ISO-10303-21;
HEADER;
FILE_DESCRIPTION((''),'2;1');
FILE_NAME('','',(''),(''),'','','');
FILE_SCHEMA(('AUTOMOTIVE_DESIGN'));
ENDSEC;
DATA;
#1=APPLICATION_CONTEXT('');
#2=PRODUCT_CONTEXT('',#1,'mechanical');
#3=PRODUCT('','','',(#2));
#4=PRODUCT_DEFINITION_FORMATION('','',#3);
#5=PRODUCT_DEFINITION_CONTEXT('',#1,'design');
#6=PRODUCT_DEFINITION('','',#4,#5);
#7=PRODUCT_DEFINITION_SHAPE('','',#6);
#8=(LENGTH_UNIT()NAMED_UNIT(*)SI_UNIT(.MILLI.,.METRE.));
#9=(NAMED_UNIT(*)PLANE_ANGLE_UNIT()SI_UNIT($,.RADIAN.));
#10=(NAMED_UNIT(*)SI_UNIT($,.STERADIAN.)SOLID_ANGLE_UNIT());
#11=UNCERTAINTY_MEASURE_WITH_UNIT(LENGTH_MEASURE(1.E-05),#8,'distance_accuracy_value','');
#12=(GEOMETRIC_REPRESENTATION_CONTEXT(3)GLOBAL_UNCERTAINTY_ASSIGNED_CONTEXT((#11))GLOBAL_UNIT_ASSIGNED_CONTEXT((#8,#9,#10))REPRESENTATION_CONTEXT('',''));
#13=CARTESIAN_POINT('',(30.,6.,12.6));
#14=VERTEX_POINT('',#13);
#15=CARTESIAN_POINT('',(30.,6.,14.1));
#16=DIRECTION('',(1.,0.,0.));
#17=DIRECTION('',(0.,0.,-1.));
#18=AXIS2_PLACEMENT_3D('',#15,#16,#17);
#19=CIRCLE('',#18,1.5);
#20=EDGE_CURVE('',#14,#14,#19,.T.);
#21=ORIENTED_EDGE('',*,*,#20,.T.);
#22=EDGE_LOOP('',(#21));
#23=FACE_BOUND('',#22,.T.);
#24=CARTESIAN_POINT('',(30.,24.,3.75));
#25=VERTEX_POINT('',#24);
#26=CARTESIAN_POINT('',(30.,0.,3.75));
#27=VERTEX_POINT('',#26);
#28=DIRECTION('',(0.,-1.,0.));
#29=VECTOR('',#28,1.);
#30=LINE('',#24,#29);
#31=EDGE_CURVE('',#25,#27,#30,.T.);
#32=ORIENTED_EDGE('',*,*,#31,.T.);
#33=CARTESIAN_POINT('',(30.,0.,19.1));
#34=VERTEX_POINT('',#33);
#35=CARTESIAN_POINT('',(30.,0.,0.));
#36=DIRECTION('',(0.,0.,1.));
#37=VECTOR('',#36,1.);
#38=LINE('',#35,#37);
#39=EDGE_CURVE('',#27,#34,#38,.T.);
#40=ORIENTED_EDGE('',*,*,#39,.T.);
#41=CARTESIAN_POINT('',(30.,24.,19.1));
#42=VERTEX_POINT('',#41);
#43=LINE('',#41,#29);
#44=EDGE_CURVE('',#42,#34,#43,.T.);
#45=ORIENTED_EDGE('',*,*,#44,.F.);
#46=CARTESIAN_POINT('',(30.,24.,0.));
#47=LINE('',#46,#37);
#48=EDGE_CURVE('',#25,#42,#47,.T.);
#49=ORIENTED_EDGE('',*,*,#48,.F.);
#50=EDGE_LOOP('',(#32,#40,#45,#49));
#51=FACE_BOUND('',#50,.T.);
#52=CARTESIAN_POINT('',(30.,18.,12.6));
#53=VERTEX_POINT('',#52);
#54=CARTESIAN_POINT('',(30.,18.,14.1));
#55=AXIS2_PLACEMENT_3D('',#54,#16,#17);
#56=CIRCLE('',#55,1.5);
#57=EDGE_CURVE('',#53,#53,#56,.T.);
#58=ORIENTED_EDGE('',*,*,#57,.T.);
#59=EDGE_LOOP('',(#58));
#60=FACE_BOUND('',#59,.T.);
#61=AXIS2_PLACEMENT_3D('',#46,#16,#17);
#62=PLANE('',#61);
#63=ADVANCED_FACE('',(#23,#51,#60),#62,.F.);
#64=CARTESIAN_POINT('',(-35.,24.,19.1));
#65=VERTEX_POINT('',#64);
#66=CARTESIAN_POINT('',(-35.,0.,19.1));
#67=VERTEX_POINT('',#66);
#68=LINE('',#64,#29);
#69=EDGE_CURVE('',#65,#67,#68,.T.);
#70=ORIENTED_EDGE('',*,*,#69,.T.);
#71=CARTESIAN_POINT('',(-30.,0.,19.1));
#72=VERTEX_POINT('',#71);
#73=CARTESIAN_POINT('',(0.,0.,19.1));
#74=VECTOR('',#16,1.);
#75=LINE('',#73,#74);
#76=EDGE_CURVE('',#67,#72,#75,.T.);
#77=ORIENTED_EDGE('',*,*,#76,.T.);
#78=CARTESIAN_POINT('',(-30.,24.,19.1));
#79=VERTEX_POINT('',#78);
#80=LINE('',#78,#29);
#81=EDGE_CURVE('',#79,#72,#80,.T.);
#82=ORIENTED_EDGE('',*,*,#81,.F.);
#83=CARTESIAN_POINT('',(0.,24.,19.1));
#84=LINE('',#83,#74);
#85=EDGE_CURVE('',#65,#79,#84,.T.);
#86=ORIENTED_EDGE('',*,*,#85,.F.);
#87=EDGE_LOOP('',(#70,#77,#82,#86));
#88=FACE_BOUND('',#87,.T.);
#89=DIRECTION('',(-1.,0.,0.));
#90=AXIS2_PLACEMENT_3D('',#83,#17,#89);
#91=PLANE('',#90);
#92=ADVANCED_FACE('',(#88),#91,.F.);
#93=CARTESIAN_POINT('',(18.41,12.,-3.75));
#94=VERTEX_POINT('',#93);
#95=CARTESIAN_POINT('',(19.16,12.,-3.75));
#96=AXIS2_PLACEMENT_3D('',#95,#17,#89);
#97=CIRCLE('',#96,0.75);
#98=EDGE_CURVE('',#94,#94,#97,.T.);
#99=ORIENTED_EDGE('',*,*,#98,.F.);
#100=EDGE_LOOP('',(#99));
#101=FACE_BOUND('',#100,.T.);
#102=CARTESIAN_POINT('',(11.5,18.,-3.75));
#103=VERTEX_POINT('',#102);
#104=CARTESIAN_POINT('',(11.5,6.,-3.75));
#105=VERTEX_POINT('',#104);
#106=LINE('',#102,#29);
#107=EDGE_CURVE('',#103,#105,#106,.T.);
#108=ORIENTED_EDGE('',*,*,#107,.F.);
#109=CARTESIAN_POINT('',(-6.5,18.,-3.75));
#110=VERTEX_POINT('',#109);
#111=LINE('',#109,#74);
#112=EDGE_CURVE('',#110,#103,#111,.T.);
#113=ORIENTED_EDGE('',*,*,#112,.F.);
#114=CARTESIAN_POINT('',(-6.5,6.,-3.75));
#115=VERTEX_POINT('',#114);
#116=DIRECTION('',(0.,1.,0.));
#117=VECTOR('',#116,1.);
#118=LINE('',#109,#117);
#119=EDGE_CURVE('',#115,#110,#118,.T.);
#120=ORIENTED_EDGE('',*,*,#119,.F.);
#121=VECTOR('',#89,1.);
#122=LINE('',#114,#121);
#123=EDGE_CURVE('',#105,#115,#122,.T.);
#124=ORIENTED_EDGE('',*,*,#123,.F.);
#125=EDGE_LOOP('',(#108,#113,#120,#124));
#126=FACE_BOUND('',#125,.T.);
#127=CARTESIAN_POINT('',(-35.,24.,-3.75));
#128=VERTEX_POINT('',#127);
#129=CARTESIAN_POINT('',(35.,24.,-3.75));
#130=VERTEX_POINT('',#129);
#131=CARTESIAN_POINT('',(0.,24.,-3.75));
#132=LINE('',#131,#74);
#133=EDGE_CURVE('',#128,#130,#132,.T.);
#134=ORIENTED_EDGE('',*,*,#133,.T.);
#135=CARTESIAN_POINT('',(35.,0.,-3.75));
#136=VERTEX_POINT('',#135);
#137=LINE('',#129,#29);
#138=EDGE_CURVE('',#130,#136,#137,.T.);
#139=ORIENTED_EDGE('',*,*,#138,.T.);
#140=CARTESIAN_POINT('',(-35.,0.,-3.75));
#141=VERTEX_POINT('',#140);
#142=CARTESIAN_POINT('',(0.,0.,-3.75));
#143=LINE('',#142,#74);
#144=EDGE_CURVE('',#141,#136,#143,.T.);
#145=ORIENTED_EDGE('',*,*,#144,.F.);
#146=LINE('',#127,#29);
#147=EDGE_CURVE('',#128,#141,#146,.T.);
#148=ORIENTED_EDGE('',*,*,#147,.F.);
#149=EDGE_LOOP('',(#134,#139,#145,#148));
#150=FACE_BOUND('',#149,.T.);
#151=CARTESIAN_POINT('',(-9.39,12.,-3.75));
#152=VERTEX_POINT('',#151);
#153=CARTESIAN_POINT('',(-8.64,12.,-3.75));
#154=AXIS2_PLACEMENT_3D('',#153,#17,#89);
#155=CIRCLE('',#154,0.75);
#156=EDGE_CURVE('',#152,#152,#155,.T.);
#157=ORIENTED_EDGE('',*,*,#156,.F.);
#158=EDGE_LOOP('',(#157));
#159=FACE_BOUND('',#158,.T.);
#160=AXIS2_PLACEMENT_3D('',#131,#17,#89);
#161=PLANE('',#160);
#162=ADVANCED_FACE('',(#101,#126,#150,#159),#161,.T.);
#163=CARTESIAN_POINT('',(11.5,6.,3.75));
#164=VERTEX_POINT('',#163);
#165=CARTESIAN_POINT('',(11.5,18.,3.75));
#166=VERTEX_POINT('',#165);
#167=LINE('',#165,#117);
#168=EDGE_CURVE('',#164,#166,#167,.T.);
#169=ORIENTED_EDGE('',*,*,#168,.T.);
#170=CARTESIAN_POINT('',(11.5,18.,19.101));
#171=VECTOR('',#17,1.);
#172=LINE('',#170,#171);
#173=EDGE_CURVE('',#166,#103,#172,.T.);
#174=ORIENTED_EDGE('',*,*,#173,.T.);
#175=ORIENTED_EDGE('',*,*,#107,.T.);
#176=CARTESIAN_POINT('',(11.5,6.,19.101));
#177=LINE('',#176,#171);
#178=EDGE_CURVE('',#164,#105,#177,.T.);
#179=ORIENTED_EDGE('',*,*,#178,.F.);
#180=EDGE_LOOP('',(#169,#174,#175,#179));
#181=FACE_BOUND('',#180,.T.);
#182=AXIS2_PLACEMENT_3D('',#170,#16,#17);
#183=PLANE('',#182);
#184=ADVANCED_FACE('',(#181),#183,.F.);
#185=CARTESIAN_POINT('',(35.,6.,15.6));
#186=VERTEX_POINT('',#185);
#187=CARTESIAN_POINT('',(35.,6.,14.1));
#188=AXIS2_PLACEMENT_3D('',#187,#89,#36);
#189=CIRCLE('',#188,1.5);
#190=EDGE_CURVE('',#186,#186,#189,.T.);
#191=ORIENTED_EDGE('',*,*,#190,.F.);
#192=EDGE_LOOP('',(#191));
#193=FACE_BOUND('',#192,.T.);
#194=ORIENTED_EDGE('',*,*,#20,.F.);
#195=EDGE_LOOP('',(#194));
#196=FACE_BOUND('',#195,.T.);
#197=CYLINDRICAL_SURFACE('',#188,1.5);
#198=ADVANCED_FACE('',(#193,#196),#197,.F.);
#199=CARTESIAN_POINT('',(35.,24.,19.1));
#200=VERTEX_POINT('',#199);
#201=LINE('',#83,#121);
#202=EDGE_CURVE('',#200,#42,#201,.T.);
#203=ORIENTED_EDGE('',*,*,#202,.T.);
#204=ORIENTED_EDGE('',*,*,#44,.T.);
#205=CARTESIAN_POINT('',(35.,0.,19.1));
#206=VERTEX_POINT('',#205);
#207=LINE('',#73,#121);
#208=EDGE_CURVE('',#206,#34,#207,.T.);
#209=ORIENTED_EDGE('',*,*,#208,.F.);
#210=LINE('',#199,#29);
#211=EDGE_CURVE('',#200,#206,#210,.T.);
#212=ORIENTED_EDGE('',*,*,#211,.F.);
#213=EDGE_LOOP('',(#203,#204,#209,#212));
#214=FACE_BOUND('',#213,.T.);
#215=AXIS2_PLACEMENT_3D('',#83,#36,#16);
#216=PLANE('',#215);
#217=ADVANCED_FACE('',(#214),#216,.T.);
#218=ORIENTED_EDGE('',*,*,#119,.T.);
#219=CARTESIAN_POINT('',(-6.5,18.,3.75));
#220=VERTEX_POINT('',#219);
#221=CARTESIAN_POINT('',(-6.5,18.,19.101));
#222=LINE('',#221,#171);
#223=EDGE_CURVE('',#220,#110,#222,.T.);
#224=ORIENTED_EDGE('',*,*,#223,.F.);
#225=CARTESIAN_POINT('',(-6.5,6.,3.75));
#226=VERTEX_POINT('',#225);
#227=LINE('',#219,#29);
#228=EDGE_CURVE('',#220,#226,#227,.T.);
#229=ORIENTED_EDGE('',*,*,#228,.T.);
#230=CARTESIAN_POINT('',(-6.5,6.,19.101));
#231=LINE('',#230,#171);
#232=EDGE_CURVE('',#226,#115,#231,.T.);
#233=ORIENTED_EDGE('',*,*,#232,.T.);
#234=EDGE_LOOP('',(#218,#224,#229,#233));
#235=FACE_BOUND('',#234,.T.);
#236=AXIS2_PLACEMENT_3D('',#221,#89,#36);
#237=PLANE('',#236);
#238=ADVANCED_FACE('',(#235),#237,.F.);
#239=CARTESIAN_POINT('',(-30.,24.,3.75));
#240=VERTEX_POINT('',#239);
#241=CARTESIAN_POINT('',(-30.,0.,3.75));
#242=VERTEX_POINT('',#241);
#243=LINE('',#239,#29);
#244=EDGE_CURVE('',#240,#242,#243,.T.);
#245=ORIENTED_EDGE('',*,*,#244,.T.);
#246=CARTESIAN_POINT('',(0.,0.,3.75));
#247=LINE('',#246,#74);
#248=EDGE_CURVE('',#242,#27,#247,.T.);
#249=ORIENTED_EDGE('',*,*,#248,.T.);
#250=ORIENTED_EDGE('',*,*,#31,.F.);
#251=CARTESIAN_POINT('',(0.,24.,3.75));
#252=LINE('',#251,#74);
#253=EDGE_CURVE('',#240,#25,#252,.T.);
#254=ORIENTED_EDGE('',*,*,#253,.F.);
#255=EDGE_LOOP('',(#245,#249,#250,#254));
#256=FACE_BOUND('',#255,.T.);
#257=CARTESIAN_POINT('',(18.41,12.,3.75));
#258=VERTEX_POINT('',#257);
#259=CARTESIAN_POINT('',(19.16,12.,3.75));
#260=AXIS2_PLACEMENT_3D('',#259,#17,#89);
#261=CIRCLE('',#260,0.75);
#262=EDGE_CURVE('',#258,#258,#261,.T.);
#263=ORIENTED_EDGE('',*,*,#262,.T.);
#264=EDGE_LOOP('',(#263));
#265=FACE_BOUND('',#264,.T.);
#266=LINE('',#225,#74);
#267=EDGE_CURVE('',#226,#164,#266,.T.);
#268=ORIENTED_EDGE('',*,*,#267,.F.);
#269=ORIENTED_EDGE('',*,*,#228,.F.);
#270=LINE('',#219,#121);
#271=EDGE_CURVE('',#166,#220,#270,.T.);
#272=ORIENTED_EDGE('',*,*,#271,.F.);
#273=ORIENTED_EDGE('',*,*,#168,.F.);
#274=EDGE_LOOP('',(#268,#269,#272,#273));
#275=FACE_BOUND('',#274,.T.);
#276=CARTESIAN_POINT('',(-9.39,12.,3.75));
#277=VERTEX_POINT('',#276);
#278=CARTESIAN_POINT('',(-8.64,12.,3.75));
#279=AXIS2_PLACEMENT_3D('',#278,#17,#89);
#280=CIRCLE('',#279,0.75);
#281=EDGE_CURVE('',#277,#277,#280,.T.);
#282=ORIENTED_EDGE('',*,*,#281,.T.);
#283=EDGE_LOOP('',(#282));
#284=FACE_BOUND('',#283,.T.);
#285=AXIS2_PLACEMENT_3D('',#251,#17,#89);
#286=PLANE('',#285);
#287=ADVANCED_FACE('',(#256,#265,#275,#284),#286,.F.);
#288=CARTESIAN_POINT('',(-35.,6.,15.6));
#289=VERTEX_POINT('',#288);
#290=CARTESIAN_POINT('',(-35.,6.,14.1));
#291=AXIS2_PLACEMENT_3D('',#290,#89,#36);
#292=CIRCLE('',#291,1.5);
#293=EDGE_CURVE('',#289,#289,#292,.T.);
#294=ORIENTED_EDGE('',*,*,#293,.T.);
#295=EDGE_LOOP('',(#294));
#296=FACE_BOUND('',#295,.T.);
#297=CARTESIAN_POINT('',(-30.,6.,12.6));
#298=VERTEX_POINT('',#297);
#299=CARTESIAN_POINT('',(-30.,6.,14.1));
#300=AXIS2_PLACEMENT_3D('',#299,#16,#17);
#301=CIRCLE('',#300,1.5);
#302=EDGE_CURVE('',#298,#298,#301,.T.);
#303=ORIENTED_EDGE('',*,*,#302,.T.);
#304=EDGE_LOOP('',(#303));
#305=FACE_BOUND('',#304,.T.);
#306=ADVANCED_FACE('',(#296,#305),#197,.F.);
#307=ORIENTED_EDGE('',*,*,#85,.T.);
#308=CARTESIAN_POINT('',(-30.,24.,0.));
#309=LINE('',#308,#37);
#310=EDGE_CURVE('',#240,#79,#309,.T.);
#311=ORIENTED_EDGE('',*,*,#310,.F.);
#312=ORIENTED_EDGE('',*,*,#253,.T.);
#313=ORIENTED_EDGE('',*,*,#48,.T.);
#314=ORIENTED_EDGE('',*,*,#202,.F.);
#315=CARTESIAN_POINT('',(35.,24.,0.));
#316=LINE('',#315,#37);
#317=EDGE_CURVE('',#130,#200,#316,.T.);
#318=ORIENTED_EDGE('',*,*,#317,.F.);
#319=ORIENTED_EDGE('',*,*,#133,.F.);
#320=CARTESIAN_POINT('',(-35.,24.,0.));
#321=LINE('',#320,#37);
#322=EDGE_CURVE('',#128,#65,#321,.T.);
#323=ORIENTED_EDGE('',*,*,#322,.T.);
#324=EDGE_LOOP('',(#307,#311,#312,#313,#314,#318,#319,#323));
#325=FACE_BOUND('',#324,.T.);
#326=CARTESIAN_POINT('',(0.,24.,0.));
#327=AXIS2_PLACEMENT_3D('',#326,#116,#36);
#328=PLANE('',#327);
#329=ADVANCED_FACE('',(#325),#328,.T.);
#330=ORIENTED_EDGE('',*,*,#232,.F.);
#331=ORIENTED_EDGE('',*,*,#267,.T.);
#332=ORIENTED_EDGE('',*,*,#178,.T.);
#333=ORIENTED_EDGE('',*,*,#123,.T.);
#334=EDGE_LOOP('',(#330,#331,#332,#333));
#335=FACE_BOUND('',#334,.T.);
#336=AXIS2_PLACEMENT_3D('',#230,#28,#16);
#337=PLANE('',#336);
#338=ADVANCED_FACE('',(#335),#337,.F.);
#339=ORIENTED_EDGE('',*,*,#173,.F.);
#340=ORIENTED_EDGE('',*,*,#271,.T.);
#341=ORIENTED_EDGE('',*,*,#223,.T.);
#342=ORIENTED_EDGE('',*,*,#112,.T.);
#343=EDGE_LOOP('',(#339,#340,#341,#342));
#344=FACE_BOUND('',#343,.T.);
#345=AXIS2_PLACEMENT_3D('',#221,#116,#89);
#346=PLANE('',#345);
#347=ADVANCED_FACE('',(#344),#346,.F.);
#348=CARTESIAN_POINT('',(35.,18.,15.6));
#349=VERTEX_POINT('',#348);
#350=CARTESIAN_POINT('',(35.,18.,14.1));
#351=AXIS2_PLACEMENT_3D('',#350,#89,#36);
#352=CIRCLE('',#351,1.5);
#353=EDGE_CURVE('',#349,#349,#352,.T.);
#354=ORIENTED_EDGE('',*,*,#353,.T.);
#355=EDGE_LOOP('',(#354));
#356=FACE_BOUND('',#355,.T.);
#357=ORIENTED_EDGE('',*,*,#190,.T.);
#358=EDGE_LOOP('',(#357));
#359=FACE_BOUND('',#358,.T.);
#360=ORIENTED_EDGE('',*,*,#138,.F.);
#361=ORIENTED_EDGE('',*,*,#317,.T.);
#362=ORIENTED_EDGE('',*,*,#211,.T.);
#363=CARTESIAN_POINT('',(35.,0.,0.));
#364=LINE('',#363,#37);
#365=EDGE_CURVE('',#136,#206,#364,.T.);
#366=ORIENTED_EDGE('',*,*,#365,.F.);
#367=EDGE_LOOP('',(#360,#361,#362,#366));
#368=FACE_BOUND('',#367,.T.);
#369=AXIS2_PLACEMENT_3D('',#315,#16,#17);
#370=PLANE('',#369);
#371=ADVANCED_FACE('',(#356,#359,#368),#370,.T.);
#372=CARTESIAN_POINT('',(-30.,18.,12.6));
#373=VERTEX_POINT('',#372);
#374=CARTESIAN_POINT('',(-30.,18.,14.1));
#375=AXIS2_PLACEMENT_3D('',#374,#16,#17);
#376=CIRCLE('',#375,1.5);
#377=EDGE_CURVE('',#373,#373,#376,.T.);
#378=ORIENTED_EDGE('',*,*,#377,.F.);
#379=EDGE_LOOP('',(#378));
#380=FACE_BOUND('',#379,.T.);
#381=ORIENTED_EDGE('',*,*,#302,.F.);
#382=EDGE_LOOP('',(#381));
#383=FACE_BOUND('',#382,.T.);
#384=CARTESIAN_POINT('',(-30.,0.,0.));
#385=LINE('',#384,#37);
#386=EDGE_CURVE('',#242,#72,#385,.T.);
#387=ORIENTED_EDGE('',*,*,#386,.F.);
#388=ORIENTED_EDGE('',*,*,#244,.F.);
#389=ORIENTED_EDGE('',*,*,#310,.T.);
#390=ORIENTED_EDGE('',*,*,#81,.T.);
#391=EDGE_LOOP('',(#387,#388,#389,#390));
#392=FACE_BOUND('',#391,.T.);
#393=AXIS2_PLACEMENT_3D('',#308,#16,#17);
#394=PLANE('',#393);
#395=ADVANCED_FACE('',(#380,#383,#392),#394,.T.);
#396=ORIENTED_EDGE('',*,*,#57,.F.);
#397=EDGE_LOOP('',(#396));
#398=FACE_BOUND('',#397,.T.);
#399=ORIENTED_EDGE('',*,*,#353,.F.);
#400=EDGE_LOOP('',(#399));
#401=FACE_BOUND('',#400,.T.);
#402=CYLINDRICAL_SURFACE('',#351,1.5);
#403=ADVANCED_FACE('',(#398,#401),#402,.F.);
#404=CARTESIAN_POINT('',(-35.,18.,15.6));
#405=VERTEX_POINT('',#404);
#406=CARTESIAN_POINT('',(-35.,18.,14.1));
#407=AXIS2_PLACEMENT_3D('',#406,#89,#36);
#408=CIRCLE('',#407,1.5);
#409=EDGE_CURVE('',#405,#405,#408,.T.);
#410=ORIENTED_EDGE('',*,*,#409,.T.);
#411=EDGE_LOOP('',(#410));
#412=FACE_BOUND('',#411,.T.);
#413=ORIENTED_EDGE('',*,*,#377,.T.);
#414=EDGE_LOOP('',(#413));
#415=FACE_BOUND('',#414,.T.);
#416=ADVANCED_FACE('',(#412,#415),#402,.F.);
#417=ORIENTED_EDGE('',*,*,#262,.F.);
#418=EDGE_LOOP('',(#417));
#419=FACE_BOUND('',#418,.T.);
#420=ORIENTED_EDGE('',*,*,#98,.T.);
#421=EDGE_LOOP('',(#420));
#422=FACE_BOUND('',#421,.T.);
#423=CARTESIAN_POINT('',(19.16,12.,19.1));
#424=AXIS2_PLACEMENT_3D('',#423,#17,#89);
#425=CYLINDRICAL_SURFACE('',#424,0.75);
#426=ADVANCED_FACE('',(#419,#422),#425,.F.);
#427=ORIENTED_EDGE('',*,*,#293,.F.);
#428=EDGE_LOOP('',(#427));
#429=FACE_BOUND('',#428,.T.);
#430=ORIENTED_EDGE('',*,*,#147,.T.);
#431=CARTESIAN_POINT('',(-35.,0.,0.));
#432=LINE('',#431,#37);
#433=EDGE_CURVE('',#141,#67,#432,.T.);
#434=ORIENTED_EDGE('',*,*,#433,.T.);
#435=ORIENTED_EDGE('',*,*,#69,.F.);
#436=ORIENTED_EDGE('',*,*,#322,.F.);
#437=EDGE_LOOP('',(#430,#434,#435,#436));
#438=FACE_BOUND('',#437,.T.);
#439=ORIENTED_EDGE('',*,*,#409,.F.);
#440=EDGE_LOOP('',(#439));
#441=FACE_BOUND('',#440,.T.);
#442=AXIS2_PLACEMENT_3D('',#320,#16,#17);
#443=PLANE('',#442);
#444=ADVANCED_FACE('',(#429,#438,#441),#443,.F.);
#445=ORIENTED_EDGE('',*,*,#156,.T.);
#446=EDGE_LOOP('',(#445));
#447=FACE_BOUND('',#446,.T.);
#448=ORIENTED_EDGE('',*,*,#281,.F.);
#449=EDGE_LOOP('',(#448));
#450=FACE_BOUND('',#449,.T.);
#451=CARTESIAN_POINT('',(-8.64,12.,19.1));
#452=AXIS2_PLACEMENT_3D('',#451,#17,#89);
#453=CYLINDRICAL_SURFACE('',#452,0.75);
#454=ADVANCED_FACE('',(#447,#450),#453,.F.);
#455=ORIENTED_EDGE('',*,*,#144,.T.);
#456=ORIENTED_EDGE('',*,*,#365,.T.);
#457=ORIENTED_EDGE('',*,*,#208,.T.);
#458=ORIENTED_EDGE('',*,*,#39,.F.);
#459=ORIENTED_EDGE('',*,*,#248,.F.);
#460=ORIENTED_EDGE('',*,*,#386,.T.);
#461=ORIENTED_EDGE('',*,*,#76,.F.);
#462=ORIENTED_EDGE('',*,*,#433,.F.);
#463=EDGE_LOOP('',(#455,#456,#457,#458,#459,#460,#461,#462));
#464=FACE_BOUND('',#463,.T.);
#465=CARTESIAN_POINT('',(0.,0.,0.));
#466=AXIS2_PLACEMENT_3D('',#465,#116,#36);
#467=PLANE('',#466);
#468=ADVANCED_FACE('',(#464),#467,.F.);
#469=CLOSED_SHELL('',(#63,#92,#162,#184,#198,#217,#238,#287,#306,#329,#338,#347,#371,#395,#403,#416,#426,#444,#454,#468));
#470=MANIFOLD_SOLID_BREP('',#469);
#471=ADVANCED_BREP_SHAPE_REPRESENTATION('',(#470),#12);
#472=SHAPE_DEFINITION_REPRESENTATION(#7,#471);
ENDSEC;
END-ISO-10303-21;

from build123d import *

# Parameters (mm, degrees)
SKETCH1_W           = 5
SKETCH1_H           = 15.35
BOSS_EXTRUDE1_DEPTH = 24
SKETCH2_R           = 1.5
CUT_EXTRUDE1_DEPTH  = 77.425192182
CUT_EXTRUDE4_REACH  = 50.199
SKETCH8_W           = 18
SKETCH8_H           = 12
SKETCH9_R           = 0.75
CUT_EXTRUDE5_DEPTH  = 49.198781105


with BuildPart() as part:
    # Sketch1 → Boss-Extrude1 (new body)
    with BuildSketch(Plane(origin=(0, 0, 0), x_dir=(1, 0, 0), z_dir=(0, 1, 0))):
        with Locations((-32.5, -11.425)):
            Rectangle(SKETCH1_W, SKETCH1_H)
        Polygon((-35, -3.75), (-30, -3.75), (0, -3.75), (0, 3.75), (-35, 3.75), align=None)
        Polygon((0, 3.75), (0, -3.75), (30, -3.75), (35, -3.75), (35, 3.75), align=None)
        with Locations((32.5, -11.425)):
            Rectangle(SKETCH1_W, SKETCH1_H)
    extrude(amount=BOSS_EXTRUDE1_DEPTH)

    # Sketch2 → Cut-Extrude1 (cut, through all)
    with BuildSketch(Plane.ZY.offset(35)):
        with Locations((14.1, 18)):
            Circle(SKETCH2_R)
        with Locations((14.1, 6)):
            Circle(SKETCH2_R)
    extrude(amount=-CUT_EXTRUDE1_DEPTH, mode=Mode.SUBTRACT)

    # Sketch8 → Cut-Extrude4 (cut, up to next)
    with BuildSketch(Plane(origin=(0, 0, -3.75), x_dir=(-1, 0, 0), z_dir=(0, 0, -1)), mode=Mode.PRIVATE) as cut_extrude4_sk1:
        with Locations((-2.5, 12)):
            Rectangle(SKETCH8_W, SKETCH8_H)
    cut_extrude4_tool1 = extrude(cut_extrude4_sk1.sketch, amount=-CUT_EXTRUDE4_REACH, mode=Mode.PRIVATE) & part.part
    add(cut_extrude4_tool1.solids().sort_by_distance((2.5, 12, -3.75))[0], mode=Mode.SUBTRACT)

    # Sketch9 → Cut-Extrude5 (cut, through all)
    with BuildSketch(Plane(origin=(0, 0, -3.75), x_dir=(-1, 0, 0), z_dir=(0, 0, -1))):
        with Locations((-19.16, 12)):
            Circle(SKETCH9_R)
        with Locations((8.64, 12)):
            Circle(SKETCH9_R)
    extrude(amount=-CUT_EXTRUDE5_DEPTH, mode=Mode.SUBTRACT)


solid = part.part
